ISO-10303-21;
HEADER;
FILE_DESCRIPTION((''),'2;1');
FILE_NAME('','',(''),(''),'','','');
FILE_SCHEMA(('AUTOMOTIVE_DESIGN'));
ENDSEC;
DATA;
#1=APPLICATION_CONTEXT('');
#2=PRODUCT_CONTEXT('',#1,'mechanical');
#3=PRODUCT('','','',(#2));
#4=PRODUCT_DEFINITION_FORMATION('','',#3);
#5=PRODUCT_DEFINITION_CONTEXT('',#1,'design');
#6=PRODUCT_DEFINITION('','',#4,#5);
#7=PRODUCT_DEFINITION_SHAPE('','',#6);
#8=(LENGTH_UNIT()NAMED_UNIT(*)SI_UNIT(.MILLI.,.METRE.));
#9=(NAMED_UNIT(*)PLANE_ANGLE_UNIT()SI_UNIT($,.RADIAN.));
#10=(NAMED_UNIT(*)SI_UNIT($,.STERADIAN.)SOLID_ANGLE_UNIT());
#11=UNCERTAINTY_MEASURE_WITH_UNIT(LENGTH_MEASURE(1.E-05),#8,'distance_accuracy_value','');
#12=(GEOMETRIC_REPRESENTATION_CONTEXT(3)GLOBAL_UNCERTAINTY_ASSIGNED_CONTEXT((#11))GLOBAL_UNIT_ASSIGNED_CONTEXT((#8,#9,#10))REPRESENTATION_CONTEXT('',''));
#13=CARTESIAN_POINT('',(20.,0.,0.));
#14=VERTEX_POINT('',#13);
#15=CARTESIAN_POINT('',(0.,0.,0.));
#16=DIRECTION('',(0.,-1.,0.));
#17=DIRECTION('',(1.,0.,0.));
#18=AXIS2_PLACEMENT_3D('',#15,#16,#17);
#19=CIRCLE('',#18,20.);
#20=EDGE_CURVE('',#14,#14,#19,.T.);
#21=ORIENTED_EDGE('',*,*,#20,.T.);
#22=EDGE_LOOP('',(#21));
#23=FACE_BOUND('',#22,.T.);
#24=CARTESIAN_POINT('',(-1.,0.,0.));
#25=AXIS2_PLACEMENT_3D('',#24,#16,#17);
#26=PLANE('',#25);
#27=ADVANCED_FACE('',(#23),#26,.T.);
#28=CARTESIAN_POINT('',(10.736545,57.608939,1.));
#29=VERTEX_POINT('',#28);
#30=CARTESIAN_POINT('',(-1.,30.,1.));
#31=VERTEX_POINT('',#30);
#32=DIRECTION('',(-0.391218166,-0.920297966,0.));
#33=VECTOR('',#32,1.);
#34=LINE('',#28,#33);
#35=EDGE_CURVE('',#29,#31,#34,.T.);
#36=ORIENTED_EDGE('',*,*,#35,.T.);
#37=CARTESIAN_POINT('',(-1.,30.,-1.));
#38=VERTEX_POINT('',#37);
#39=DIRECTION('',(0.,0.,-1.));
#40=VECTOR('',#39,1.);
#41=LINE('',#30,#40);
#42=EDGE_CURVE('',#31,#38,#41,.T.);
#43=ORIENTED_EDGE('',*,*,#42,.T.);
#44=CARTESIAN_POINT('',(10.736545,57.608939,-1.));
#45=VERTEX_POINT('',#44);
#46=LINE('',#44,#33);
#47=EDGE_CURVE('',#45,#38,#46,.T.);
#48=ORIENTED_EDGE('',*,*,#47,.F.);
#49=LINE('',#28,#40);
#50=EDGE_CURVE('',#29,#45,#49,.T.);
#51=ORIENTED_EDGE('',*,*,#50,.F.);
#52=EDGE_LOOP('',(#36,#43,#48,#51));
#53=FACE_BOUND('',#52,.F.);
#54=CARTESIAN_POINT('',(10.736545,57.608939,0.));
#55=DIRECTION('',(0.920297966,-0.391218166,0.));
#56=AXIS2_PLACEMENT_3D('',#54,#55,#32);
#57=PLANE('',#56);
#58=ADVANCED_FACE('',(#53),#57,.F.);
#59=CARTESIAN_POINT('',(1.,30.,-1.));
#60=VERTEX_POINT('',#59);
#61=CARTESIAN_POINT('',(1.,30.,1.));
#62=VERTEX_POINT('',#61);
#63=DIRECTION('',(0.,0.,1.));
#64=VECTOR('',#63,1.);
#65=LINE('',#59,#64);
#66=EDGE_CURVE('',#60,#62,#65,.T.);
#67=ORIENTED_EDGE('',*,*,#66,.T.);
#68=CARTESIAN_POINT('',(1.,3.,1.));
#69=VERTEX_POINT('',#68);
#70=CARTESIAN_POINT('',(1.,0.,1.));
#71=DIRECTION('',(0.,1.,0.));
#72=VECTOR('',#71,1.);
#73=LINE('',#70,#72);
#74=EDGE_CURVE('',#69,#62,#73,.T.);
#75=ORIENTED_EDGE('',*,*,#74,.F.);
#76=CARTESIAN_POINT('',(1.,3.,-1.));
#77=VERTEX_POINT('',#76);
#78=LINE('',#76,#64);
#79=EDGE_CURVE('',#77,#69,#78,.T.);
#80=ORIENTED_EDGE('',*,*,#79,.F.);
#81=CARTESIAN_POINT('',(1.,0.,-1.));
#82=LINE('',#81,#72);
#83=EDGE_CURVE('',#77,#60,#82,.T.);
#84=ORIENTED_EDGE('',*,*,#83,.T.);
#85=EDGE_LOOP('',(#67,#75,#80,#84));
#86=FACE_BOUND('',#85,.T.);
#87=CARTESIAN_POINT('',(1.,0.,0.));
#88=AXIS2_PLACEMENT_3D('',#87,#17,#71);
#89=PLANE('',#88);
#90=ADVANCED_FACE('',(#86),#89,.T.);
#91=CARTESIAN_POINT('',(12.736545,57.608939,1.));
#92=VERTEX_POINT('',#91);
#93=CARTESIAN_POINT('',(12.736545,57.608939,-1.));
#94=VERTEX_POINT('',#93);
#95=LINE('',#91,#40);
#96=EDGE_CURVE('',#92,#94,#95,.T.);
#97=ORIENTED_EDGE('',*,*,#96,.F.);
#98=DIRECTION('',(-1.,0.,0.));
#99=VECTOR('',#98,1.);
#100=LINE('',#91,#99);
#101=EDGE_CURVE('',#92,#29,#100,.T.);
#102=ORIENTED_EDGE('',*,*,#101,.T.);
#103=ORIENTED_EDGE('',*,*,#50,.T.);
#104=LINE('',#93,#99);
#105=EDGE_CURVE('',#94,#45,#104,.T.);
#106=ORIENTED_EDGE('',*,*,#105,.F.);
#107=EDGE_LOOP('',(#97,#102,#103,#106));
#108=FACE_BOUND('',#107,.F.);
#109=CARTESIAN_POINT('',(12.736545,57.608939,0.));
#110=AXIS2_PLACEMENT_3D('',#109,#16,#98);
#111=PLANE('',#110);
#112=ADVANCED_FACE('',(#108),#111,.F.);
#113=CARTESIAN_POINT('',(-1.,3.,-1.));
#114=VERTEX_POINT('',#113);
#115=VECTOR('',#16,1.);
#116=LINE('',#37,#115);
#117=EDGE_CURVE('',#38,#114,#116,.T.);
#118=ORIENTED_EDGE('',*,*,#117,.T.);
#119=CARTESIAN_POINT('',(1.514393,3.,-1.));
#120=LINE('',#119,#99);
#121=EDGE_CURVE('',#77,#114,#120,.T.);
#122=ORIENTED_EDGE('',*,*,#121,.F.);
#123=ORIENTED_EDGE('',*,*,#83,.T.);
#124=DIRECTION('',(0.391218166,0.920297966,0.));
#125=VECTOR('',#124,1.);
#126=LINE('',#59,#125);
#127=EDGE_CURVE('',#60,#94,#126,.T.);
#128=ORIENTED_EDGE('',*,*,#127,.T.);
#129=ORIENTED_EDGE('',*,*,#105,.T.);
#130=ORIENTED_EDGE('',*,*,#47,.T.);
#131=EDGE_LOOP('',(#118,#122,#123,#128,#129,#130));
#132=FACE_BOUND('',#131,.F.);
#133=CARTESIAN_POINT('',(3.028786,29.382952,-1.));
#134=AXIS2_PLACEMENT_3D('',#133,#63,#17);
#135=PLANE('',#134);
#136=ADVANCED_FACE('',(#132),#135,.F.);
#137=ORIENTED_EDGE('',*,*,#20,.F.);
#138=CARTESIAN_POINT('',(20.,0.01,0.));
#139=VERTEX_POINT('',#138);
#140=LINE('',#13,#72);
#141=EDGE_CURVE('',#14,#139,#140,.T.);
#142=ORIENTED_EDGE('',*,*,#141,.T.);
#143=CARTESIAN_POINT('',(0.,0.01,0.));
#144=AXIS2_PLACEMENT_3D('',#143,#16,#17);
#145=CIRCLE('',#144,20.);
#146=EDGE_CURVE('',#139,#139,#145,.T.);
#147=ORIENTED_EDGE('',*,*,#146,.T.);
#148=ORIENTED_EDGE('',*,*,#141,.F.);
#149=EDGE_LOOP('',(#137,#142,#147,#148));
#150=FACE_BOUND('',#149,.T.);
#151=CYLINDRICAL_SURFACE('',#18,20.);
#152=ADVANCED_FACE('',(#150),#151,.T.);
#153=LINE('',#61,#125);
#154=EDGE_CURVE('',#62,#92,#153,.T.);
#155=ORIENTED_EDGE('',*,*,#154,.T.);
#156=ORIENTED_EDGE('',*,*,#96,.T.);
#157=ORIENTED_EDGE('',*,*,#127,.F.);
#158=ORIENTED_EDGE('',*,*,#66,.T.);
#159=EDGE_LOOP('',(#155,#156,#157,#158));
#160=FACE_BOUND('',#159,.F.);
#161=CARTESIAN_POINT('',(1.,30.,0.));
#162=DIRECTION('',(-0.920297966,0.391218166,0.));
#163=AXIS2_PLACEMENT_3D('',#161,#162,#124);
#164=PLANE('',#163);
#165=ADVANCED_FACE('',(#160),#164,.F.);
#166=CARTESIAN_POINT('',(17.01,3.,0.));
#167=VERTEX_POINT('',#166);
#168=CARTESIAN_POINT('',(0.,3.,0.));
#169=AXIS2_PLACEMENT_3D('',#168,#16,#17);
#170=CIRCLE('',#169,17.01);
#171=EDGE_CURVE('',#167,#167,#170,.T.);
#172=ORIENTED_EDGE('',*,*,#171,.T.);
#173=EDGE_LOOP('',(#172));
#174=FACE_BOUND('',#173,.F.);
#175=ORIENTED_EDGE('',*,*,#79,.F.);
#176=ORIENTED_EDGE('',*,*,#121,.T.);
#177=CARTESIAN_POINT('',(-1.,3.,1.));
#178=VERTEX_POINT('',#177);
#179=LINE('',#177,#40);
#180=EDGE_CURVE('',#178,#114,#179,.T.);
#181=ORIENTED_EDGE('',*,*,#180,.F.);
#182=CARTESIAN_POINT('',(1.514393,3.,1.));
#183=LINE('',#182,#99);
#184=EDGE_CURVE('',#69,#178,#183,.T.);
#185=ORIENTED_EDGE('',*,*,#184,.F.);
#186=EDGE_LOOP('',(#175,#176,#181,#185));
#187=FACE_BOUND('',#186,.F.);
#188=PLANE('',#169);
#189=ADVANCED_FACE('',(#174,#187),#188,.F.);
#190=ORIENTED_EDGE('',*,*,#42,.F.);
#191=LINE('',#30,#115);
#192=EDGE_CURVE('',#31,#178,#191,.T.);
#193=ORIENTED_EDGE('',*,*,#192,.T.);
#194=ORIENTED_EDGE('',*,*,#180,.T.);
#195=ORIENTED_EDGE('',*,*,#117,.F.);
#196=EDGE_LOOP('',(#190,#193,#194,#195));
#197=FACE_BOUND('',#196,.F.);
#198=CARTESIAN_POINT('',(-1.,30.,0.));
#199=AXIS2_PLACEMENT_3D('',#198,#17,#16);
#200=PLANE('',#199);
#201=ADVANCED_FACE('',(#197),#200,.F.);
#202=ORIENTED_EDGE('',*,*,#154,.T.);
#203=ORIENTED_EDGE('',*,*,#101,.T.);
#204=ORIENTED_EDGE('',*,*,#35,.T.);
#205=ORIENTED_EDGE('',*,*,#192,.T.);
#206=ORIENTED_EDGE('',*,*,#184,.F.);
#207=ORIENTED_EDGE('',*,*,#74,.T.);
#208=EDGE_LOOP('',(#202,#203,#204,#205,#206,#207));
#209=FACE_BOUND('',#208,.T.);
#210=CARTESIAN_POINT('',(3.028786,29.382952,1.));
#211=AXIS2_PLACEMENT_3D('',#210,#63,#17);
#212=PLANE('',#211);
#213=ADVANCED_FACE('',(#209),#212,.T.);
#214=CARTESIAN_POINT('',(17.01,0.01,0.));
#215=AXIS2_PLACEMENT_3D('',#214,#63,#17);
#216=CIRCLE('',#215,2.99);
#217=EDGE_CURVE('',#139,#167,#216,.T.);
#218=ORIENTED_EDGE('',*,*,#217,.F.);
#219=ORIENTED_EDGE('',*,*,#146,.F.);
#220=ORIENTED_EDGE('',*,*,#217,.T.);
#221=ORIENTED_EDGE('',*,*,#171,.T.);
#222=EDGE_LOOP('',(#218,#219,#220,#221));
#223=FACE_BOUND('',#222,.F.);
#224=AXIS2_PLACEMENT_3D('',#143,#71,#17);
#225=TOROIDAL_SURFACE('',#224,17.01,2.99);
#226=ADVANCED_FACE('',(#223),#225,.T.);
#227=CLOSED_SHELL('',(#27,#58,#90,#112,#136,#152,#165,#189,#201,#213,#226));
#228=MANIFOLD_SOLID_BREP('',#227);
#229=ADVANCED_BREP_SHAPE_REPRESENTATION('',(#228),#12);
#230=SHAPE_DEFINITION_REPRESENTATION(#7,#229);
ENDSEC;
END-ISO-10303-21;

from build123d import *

# Parameters (mm, degrees)
SKETCH_R          = 20
PAD_DEPTH         = 3
PAD001_DEPTH      = 1
PAD001_DEPTH_BACK = 1
FILLET_R          = 2.99


with BuildPart() as part:
    # Sketch → Pad (new body)
    with BuildSketch(Plane.XZ):
        Circle(SKETCH_R)
    extrude(amount=-PAD_DEPTH)

    # Sketch001 → Pad001 (join, two sides)
    with BuildSketch(Plane.XY) as pad001_sk:
        Polygon((-1, 0), (1, 0), (1, 30), (12.736545, 57.608939), (10.736545, 57.608939), (-1, 30), align=None)
    extrude(amount=PAD001_DEPTH)
    extrude(pad001_sk.sketch, amount=-PAD001_DEPTH_BACK)

    # Fillet
    fillet_edges = [part.edges().sort_by_distance(p)[0] for p in [
        (-20, 3, 0),
    ]]
    fillet(fillet_edges, radius=FILLET_R)


solid = part.part
